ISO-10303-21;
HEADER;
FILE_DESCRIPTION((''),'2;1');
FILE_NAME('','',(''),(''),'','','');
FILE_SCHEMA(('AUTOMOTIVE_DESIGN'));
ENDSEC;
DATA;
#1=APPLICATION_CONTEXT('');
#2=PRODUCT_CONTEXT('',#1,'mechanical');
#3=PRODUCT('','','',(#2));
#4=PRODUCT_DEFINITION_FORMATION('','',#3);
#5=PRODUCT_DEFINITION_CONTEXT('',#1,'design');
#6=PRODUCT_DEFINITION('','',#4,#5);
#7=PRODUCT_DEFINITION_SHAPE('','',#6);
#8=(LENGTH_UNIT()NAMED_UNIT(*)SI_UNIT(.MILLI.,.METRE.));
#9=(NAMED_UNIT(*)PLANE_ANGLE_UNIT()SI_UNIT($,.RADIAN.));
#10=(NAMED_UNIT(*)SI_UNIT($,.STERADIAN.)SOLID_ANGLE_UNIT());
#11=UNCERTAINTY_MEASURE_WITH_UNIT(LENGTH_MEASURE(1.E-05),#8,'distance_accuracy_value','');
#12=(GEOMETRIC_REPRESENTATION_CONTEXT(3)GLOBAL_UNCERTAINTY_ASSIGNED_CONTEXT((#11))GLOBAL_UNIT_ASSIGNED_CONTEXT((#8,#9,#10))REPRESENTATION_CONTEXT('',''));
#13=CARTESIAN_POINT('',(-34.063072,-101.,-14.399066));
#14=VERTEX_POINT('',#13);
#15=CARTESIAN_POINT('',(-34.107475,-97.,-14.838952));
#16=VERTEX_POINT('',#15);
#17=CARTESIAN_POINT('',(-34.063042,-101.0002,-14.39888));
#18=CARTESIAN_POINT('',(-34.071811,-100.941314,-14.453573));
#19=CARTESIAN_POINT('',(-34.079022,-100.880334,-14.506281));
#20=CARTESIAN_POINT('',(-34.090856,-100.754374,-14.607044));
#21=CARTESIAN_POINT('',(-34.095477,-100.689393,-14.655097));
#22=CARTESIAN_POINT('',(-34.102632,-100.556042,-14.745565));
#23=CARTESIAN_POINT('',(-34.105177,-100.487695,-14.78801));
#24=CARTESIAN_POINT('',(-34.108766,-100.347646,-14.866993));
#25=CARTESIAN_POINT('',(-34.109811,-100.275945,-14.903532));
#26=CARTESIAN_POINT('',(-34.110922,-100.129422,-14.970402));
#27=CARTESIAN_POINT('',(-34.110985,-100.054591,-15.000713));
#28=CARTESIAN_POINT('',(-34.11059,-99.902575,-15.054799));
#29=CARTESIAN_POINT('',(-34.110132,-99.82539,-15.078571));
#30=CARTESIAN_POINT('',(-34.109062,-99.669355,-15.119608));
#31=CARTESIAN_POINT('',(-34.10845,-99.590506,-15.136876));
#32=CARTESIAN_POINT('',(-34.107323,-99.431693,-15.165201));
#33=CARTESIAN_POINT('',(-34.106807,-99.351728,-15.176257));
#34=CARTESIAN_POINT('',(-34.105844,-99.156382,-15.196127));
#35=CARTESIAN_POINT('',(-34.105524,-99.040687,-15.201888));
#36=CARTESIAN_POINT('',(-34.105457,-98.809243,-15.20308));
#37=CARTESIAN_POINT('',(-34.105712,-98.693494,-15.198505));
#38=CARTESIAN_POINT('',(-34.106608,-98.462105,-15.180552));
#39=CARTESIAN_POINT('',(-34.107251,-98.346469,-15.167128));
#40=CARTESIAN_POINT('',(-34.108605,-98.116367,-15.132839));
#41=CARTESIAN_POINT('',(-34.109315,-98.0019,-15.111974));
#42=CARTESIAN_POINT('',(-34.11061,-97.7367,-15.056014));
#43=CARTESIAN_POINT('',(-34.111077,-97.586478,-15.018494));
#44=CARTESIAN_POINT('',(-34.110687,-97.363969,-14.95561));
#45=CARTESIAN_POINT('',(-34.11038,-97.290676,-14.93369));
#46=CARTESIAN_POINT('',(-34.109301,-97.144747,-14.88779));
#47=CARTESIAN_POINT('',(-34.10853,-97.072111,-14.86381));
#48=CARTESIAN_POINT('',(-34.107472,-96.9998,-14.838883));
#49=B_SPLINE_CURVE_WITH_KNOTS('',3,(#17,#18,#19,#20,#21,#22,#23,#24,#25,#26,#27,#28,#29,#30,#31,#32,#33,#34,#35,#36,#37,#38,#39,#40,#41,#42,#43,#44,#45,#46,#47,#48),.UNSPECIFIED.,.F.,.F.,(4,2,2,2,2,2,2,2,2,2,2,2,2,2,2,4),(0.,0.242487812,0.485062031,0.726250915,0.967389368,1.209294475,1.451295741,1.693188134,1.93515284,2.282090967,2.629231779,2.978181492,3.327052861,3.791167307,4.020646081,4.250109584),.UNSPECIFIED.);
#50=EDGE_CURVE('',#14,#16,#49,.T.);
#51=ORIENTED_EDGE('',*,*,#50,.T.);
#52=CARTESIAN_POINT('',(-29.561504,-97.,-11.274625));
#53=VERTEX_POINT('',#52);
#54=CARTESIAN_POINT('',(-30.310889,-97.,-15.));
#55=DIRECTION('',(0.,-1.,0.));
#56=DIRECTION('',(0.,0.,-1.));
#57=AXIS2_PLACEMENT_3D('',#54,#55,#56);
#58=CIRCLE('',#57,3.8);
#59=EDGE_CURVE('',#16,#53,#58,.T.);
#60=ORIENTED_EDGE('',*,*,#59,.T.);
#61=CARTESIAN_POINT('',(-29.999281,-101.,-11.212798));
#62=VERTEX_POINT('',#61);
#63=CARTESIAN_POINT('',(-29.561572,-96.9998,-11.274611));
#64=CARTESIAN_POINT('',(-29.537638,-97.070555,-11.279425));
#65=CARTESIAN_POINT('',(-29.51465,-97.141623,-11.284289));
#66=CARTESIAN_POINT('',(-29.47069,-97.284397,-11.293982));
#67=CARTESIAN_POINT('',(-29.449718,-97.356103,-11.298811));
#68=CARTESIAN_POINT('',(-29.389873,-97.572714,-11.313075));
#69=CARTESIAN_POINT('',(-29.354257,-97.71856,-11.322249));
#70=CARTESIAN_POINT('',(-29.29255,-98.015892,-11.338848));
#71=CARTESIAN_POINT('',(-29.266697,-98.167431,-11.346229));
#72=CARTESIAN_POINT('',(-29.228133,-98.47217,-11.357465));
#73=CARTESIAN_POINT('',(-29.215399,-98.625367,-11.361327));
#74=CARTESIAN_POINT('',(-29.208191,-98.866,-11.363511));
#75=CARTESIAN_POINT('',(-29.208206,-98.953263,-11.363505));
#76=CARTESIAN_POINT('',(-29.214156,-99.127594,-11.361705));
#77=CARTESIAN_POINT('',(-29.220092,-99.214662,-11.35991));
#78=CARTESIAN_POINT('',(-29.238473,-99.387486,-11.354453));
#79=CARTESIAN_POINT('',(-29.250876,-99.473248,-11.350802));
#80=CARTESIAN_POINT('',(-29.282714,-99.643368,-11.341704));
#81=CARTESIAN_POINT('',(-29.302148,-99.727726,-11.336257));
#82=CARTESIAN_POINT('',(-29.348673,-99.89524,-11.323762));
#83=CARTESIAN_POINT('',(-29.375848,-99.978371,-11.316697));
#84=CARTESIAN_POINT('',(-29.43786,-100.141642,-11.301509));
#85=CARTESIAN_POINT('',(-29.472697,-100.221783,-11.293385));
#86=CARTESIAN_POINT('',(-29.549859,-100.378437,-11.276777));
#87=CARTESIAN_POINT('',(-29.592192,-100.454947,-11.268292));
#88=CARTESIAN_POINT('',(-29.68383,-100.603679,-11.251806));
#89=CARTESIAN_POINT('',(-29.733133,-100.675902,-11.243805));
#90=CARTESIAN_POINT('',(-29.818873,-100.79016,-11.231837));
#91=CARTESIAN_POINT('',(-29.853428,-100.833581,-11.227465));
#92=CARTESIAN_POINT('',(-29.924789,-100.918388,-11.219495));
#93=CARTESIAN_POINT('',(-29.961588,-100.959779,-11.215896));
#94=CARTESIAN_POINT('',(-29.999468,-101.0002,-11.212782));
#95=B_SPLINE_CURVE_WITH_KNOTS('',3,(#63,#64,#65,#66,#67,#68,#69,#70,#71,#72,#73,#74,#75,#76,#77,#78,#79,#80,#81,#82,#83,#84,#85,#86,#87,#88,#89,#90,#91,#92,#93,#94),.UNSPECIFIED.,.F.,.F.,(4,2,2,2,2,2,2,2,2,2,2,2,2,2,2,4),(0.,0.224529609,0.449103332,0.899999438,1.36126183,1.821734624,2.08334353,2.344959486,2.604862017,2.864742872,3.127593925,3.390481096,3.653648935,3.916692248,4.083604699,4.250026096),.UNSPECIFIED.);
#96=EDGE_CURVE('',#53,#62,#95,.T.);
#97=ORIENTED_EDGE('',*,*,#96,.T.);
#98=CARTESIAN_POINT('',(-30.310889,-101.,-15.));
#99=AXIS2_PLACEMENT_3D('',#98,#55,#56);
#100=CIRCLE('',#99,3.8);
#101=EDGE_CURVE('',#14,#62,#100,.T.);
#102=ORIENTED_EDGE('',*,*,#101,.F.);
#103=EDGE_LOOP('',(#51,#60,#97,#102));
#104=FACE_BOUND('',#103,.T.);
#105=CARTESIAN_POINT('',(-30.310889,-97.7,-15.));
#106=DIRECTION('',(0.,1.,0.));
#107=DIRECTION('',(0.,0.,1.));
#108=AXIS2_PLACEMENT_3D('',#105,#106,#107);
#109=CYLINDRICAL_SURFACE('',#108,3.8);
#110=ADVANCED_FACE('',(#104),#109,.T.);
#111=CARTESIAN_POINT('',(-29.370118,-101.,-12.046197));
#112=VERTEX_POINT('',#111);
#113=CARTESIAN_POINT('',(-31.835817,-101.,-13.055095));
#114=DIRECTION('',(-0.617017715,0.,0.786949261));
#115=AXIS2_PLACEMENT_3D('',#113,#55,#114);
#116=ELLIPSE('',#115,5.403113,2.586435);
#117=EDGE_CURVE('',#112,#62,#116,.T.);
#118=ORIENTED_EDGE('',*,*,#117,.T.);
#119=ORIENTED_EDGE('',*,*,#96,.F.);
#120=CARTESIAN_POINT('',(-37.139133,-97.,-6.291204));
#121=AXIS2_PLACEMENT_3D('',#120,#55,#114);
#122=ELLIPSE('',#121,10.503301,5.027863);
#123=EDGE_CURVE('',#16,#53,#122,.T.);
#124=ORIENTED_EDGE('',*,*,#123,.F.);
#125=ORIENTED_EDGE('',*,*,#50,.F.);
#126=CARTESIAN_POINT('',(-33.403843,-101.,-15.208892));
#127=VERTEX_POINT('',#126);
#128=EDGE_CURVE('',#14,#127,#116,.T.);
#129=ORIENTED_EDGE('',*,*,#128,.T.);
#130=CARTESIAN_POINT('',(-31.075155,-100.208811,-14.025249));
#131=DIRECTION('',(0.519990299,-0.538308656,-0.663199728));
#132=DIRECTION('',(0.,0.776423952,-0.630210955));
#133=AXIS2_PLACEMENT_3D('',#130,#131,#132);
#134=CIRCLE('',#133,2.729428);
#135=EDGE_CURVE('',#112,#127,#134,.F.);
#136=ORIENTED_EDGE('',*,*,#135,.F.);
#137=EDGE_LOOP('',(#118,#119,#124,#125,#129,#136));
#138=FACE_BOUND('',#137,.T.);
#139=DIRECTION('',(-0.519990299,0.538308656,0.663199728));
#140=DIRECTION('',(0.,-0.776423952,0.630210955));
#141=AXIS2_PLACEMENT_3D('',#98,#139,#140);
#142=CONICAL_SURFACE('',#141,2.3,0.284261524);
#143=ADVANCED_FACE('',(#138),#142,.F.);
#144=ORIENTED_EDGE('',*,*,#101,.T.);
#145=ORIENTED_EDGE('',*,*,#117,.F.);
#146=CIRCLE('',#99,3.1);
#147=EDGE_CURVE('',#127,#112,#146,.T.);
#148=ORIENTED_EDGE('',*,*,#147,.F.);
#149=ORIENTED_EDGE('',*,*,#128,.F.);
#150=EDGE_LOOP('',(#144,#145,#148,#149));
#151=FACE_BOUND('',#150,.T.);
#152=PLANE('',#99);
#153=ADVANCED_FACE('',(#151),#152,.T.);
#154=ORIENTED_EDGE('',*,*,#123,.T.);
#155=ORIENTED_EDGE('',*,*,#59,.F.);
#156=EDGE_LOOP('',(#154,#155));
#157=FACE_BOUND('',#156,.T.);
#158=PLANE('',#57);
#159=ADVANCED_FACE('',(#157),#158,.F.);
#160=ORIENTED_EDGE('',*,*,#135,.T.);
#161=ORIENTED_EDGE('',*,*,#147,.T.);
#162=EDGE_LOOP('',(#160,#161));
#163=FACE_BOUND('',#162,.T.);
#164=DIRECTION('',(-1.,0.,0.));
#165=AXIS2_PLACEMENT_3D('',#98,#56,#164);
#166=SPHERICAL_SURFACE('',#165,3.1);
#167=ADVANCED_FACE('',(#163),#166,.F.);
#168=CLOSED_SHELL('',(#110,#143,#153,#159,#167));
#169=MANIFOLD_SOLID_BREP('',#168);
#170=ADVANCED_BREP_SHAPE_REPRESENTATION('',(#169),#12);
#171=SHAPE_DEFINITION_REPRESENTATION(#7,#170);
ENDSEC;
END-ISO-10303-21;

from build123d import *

# Parameters (mm, degrees)
KEYED_BACK_DEPTH   = 0.7
CUP_BLANK_SKETCH_R = 3.8
CUP_BLANK_DEPTH    = 3.3


with BuildPart() as part:
    # Keyed Back Sketch → Keyed Back (new body)
    with BuildSketch(Plane(origin=(0, -97, 0), x_dir=(-1, 0, 0), z_dir=(0, -1, 0))):
        with BuildLine():
            Line((29.790988145, 11.23573341), (33.83079012, 13.568114168))
            ThreePointArc((33.83079012, 13.568114168), (28.410889132, 18.290896534), (29.790988145, 11.23573341))
        make_face()
    extrude(amount=KEYED_BACK_DEPTH)

    # Cup Blank Sketch → Cup Blank (add)
    with BuildSketch(Plane(origin=(0, -97.7, 0), x_dir=(-1, 0, 0), z_dir=(0, -1, 0))):
        with Locations(Location((30.310889132, 15, 0), (0, 0, 262.136353638))):
            Circle(CUP_BLANK_SKETCH_R)
    extrude(amount=CUP_BLANK_DEPTH)

    # Spherical Bearing Seat profile → Spherical Bearing Seat (revolve, cut)
    with BuildSketch(Plane(origin=(0, -101, 0), x_dir=(-1, 0, 0), z_dir=(0, -1, 0))):
        with BuildLine():
            Line((30.310889132, 11.9), (30.310889132, 18.1))
            ThreePointArc((30.310889132, 18.1), (27.210889132, 15), (30.310889132, 11.9))
        make_face()
    revolve(axis=Axis((-30.310889132, -101, -25), (0, 0, 1)), mode=Mode.SUBTRACT)

    # Articulation Throat Sketch → Articulation Throat (revolve, cut)
    with BuildSketch(Plane(origin=(-55.559435073, -21.315405316, -26.260716517), x_dir=(0.37694407644157146, 0.1446147852349051, -0.9148768917876727), z_dir=(0.8541721659092646, 0.32770358269776195, 0.4037329227012915))):
        Polygon((-12.308450042, -83.441173866), (-10.724100051, -81.773890115), (-22.767880189, -61.059022025), (-28.981287547, -67.597673951), align=None)
    revolve(axis=Axis((-25.110986143, -106.383086561, -21.631997284), (-0.5199902989343897, 0.5383086561091633, 0.6631997284167648)), mode=Mode.SUBTRACT)


solid = part.part
